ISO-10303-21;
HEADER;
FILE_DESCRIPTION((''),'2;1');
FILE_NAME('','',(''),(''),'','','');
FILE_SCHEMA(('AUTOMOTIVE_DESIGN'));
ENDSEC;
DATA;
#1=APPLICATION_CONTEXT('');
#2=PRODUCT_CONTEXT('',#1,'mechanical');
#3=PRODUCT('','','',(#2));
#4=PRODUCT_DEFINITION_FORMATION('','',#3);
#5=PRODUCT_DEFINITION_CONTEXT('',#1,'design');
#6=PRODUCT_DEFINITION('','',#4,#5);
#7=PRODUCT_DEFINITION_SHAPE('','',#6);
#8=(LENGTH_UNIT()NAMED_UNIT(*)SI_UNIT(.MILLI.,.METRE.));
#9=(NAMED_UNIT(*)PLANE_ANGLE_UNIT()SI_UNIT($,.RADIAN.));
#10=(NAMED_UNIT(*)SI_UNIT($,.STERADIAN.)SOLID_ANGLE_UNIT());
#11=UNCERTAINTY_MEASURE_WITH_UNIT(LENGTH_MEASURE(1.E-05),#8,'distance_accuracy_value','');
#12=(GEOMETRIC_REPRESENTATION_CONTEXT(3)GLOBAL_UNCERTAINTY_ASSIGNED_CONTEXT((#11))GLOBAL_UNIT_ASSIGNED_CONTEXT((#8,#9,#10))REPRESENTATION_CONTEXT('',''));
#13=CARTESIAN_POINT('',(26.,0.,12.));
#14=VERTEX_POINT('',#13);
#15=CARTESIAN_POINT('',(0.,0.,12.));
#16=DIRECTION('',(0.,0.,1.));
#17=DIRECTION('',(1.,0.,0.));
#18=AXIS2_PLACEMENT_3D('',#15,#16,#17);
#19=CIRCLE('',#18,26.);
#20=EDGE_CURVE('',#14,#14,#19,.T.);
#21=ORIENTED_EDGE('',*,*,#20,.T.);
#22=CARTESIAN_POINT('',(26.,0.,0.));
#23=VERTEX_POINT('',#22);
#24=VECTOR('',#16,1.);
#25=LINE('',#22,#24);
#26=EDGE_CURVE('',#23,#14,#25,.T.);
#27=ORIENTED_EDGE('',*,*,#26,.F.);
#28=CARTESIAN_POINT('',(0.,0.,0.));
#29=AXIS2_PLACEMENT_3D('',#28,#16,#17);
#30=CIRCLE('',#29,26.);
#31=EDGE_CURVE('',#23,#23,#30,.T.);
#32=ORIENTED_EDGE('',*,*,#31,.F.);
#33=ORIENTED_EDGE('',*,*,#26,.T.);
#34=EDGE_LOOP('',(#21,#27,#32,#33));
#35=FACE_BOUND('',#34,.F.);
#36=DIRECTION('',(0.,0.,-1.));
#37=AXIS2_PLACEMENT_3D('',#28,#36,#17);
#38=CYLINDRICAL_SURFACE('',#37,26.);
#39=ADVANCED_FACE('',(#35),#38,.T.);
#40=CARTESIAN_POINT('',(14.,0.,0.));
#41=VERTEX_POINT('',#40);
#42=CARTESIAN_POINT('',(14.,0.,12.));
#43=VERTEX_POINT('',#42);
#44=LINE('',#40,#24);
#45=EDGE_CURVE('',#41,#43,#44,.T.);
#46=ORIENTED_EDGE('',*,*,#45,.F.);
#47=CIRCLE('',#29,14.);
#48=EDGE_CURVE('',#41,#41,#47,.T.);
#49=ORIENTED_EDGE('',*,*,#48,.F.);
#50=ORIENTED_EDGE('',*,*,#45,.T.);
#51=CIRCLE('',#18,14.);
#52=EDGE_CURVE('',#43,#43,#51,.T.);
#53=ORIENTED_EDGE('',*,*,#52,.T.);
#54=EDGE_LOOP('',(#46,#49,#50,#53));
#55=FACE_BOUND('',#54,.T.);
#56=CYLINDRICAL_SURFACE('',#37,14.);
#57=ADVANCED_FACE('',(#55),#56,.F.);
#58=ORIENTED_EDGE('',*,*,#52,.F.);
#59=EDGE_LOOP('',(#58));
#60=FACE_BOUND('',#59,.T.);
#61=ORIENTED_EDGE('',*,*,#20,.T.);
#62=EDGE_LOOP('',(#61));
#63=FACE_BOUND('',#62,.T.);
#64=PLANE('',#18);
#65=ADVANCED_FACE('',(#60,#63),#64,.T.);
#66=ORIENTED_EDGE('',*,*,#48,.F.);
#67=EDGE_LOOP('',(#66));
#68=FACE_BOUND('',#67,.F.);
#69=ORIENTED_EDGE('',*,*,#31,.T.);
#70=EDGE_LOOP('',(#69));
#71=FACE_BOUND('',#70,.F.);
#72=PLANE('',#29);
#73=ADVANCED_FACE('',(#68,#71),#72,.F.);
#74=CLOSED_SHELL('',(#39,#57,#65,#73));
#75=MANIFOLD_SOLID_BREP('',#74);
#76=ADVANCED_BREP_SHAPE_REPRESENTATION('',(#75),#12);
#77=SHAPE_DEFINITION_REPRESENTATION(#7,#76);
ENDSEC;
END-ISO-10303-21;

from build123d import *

# Parameters (mm, degrees)
SKETCH_R      = 26
SKETCH_R_2    = 14
PAD_DEPTH     = 12
SKETCH001_R   = 48
SKETCH001_R_2 = 34
POCKET_DEPTH  = 5


with BuildPart() as part:
    # Sketch → Pad (new body)
    with BuildSketch(Plane.XY):
        Circle(SKETCH_R)
        Circle(SKETCH_R_2, mode=Mode.SUBTRACT)
    extrude(amount=PAD_DEPTH)

    # Sketch001 (on Face4 of Pad) → Pocket (cut)
    with BuildSketch(Plane.XY.offset(12)):
        Circle(SKETCH001_R)
        Circle(SKETCH001_R_2, mode=Mode.SUBTRACT)
    extrude(amount=-POCKET_DEPTH, mode=Mode.SUBTRACT)


solid = part.part
